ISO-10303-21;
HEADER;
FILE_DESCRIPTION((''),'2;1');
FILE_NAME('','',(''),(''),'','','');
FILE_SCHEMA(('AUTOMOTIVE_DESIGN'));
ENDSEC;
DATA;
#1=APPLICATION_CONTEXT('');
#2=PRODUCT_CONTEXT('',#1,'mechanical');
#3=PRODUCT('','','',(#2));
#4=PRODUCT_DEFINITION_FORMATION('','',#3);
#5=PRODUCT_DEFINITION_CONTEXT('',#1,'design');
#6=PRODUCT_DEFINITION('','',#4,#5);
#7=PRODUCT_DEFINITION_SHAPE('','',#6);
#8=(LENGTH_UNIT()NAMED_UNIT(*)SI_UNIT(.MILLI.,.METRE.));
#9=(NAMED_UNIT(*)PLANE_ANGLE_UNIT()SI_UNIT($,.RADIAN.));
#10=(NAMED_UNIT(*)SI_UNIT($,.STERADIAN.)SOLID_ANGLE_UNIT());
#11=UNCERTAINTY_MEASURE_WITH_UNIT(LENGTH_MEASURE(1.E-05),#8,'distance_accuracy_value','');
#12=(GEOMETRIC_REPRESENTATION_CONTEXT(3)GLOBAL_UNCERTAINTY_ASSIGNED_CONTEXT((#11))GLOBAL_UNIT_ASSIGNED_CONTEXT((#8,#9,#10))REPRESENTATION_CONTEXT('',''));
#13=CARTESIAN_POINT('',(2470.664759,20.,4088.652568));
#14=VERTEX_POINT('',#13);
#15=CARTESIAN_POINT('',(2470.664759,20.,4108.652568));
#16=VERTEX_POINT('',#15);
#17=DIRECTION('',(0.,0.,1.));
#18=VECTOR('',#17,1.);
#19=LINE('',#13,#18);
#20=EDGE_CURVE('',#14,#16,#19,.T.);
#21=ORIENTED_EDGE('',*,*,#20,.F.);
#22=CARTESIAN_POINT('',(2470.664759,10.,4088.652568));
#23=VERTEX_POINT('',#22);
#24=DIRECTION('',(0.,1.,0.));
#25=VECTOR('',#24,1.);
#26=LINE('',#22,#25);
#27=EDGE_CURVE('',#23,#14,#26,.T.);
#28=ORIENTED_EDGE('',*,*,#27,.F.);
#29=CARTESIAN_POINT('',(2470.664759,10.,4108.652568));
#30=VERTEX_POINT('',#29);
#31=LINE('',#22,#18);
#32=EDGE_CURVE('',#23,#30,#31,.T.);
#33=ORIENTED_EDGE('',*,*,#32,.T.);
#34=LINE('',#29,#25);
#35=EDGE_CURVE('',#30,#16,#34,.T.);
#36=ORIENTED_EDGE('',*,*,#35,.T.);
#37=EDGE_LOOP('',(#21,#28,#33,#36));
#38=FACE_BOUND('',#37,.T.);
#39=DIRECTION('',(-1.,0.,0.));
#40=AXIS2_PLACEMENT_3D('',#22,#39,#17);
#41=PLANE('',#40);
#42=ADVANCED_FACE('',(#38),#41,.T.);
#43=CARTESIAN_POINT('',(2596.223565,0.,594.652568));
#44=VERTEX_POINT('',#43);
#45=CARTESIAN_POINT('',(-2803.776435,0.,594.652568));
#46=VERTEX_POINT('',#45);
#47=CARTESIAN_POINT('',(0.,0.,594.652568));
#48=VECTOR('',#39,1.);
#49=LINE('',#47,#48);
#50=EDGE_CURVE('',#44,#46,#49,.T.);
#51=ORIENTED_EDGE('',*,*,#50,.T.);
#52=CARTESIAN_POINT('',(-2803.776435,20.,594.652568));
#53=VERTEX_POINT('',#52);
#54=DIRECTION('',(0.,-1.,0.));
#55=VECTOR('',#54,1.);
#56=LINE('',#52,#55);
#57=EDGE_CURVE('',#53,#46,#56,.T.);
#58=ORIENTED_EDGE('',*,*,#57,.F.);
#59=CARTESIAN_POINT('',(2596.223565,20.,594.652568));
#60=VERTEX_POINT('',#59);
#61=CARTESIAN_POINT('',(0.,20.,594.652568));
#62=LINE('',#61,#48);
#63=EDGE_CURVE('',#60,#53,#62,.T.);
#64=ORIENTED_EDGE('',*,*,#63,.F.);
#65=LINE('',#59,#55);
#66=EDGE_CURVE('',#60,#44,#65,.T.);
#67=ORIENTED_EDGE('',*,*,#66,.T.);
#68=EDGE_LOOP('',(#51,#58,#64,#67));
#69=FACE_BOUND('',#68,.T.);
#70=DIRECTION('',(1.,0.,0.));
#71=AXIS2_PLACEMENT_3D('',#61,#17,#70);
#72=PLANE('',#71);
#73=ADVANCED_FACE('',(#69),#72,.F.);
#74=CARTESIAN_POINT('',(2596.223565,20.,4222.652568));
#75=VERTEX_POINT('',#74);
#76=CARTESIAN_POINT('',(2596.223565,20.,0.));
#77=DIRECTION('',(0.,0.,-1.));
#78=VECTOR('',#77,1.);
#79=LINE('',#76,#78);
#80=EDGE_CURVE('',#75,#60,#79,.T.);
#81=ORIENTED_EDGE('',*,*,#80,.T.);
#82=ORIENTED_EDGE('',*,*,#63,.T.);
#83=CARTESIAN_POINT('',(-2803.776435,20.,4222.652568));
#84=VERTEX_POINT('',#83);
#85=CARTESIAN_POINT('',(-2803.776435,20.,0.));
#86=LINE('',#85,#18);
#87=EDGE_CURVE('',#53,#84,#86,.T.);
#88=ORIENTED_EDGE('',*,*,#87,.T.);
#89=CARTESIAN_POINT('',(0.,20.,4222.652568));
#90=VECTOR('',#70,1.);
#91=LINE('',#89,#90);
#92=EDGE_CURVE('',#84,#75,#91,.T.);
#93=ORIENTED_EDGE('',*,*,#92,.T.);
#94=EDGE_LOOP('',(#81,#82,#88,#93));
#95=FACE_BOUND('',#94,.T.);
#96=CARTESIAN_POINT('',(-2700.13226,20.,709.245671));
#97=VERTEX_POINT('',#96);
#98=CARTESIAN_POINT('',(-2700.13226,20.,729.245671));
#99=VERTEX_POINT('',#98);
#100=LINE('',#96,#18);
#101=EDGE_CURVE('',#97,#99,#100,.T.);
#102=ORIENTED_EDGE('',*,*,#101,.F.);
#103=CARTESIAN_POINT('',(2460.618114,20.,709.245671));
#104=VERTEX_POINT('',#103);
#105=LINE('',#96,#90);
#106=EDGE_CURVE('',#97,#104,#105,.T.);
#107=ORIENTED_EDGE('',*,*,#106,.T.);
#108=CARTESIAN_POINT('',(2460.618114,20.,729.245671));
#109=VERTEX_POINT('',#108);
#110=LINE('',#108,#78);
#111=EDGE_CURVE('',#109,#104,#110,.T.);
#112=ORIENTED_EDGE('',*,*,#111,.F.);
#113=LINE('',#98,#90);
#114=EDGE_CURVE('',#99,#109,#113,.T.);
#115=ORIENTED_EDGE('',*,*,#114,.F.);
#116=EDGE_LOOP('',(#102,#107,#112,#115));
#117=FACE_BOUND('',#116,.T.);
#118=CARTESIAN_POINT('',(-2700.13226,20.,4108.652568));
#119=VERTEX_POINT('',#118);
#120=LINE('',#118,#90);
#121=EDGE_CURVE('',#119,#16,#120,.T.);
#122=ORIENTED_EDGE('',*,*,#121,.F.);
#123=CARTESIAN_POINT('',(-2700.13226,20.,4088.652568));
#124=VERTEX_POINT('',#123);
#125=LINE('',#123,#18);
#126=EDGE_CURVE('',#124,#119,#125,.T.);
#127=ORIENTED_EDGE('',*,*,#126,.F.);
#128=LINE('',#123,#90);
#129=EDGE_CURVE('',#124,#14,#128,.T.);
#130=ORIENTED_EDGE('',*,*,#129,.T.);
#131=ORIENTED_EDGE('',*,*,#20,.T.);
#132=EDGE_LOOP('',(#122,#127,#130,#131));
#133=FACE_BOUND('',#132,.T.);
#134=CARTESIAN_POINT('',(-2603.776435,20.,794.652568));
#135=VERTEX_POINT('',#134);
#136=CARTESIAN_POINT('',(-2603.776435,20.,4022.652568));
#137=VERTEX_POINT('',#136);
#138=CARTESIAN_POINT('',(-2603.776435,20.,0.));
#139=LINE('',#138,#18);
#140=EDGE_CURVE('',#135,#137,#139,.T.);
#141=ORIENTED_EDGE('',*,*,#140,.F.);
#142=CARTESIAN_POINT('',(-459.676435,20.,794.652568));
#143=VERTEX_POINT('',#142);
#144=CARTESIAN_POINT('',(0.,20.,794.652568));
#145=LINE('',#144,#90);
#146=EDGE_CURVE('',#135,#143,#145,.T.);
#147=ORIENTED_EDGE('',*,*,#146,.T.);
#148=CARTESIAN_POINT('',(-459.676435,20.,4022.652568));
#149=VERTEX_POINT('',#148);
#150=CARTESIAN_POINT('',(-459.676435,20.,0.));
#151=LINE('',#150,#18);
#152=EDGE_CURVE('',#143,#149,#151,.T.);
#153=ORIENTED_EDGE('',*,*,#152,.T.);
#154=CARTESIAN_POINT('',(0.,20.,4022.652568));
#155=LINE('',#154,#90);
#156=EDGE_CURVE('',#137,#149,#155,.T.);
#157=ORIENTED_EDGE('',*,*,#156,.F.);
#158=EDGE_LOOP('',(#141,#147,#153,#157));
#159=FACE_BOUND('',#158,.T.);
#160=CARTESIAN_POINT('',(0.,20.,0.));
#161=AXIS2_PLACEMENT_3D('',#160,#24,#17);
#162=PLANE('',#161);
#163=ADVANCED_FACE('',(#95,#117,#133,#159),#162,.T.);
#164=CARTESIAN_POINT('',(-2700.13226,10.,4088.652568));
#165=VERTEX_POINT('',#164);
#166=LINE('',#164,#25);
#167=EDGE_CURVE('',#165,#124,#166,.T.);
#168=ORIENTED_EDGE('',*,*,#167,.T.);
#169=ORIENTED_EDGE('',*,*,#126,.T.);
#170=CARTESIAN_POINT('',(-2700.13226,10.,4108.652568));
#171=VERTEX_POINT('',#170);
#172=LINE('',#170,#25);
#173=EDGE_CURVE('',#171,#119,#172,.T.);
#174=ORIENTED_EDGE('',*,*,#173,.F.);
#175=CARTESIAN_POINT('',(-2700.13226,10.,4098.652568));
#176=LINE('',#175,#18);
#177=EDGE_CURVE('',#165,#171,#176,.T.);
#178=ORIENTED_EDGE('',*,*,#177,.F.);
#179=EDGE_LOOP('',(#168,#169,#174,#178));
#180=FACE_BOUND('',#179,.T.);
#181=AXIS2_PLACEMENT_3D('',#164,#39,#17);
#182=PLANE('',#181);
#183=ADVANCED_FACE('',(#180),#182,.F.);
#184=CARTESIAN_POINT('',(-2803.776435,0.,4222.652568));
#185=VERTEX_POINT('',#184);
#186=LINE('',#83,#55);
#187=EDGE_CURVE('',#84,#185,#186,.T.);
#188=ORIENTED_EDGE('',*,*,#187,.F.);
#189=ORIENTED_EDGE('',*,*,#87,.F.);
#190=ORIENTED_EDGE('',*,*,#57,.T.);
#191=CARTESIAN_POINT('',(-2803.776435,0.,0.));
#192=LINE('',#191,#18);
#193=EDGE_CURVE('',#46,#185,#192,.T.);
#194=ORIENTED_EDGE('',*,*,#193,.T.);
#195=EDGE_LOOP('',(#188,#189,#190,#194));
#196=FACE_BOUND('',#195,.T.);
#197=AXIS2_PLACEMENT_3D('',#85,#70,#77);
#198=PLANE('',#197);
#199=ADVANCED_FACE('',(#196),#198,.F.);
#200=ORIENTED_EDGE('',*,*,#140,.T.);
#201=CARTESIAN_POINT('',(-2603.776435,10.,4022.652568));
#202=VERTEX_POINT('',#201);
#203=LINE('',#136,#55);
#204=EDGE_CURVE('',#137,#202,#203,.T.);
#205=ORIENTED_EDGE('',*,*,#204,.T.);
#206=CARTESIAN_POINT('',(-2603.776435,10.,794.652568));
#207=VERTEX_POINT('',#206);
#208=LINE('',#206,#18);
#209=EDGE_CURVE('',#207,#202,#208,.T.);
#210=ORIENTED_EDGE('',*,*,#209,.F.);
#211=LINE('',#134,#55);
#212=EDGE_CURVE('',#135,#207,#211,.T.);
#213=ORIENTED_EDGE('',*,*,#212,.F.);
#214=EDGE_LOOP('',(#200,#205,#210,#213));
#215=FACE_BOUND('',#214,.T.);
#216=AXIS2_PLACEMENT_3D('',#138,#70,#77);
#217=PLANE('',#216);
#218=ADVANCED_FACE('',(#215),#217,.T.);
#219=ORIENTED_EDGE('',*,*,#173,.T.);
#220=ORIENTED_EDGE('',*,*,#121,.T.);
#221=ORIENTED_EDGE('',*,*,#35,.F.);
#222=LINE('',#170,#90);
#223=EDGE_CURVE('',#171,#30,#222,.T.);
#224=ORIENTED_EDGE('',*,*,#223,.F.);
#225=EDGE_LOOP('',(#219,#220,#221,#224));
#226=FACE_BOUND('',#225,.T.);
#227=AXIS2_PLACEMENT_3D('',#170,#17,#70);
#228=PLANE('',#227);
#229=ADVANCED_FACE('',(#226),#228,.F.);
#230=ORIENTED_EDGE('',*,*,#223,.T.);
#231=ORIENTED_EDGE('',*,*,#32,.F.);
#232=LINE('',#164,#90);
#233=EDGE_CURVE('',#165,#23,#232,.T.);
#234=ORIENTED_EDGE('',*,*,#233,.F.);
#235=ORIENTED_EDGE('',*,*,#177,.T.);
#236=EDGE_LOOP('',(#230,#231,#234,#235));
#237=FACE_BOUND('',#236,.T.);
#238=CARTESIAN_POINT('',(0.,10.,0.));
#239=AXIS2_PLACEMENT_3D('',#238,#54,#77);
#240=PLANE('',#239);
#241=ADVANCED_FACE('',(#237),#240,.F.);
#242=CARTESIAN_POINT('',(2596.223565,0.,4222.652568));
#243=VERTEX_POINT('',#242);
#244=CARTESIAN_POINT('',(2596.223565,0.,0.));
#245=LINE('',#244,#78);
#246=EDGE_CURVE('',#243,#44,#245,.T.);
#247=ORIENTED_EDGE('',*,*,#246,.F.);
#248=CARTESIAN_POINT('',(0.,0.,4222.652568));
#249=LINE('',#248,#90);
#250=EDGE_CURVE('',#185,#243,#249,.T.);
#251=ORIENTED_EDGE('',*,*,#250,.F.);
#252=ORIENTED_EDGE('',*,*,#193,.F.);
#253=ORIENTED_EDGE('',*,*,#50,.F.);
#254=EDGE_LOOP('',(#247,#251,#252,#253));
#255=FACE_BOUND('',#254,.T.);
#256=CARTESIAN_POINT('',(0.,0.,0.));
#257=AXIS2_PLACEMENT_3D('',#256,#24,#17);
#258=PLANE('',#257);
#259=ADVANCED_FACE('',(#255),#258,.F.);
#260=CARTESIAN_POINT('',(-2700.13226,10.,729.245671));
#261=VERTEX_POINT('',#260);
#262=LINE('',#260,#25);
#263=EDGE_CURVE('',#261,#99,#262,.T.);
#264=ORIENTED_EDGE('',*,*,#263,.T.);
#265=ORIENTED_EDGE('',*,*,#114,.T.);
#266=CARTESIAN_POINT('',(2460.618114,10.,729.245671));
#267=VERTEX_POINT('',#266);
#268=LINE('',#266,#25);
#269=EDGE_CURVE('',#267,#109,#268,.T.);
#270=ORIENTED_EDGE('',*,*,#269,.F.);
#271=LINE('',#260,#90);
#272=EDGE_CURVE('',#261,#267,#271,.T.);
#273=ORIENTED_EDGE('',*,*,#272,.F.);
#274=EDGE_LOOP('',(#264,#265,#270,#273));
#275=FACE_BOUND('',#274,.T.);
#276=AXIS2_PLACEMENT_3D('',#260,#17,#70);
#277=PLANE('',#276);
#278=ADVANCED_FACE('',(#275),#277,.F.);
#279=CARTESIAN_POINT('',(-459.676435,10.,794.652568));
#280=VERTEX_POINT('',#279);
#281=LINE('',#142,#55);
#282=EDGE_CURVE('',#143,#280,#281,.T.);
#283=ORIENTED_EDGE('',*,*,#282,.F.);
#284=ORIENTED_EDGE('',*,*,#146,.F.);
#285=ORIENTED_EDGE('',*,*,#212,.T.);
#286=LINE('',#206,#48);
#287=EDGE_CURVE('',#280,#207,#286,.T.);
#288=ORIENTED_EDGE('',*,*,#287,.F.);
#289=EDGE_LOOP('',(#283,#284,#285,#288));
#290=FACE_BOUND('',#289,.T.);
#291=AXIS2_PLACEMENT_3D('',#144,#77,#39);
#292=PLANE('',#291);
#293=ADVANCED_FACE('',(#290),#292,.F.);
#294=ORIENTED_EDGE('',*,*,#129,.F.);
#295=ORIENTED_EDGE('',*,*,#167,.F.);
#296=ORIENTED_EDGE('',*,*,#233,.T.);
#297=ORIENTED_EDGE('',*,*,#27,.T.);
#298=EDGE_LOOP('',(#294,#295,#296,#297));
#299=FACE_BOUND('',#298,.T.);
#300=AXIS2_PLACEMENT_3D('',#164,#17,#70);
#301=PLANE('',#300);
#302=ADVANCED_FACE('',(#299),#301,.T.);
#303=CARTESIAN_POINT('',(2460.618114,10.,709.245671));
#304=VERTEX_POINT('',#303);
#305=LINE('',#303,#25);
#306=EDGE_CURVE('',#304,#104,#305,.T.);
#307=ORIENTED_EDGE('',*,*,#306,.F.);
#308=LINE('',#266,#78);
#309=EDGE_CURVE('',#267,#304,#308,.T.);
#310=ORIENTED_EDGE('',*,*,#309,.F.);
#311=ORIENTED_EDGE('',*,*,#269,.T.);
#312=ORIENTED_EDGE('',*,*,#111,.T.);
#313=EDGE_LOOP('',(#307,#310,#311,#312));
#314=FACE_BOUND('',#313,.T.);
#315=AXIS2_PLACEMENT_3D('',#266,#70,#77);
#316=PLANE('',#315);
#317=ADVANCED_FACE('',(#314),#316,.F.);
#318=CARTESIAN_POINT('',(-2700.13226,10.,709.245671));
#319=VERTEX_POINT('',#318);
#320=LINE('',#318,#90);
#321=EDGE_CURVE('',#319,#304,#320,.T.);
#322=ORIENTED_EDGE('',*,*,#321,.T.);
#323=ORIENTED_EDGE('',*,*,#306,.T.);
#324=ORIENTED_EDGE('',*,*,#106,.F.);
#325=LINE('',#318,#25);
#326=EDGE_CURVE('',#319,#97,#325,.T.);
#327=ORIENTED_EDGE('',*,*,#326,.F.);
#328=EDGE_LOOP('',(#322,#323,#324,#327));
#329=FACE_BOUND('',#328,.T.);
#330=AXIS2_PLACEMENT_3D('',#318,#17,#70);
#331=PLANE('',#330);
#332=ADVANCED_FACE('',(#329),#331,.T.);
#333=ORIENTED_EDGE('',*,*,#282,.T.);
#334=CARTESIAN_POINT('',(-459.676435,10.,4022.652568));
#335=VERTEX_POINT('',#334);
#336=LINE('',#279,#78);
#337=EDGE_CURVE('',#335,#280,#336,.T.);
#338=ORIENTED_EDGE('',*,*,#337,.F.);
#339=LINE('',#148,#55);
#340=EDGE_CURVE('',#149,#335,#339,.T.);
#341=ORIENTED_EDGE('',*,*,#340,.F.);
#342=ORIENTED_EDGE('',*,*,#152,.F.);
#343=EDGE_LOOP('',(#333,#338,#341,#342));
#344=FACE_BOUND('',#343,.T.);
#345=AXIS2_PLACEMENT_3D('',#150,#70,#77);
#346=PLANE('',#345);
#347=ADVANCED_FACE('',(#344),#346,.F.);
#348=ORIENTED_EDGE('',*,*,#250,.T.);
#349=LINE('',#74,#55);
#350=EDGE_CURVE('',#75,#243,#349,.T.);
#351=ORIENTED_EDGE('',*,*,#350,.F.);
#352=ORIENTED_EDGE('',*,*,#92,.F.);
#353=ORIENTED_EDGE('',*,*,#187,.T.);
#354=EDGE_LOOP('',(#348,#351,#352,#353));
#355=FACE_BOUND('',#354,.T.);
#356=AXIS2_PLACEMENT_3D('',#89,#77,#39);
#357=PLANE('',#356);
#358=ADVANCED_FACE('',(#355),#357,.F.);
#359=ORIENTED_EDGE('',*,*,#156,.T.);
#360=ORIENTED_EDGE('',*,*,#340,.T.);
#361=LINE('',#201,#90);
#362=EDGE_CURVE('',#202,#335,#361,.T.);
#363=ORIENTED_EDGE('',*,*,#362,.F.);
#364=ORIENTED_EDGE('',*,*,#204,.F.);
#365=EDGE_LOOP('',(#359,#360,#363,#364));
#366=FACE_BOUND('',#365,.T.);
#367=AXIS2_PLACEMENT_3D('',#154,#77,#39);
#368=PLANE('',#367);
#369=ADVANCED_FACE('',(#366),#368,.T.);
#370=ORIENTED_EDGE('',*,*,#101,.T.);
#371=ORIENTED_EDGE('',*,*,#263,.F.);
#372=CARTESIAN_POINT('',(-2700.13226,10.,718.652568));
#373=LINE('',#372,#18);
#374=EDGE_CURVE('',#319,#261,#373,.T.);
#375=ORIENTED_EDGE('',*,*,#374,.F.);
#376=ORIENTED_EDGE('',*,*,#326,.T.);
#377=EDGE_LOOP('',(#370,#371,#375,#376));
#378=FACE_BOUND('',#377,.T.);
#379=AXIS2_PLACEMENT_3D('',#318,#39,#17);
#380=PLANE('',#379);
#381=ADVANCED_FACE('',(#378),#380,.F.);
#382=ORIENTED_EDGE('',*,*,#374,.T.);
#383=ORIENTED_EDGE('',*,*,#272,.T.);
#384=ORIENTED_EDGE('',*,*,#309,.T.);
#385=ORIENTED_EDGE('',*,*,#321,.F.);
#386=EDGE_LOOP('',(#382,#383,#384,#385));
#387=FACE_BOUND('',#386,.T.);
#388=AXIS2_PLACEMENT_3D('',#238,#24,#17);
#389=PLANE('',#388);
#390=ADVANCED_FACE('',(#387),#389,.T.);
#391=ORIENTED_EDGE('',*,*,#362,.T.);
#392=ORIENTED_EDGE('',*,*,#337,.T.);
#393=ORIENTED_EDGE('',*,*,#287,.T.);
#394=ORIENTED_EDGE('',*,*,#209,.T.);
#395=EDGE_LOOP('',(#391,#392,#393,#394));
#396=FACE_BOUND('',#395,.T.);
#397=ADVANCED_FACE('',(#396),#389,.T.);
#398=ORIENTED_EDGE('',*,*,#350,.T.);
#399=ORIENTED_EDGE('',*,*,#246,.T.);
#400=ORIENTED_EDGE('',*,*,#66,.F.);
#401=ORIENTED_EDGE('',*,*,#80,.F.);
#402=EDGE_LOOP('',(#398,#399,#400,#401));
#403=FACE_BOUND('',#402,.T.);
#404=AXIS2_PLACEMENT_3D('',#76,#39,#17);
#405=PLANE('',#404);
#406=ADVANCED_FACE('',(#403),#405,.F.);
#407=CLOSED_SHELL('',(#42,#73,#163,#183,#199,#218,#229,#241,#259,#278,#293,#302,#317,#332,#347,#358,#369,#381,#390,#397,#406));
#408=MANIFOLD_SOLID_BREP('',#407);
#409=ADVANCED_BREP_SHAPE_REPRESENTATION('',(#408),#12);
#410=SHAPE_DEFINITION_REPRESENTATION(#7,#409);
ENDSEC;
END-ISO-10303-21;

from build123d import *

# Parameters (mm, degrees)
SKETCH1_W           = 5400
SKETCH1_H           = 3628
SKETCH1_W_2         = 2144.1
SKETCH1_H_2         = 3228
BOSS_EXTRUDE1_DEPTH = 20
SKETCH4_W           = 2144.1
SKETCH4_H           = 3228
BOSS_EXTRUDE2_DEPTH = 10
CUT_EXTRUDE1_DEPTH  = 10


with BuildPart() as part:
    # Sketch1 → Boss-Extrude1 (new body)
    with BuildSketch(Plane(origin=(0, 0, 0), x_dir=(1, 0, 0), z_dir=(0, 1, 0))):
        with Locations((-103.776435045, -2408.652567976)):
            Rectangle(SKETCH1_W, SKETCH1_H)
        with Locations((-1531.726435045, -2408.652567976)):
            Rectangle(SKETCH1_W_2, SKETCH1_H_2, mode=Mode.SUBTRACT)
    extrude(amount=BOSS_EXTRUDE1_DEPTH)

    # Sketch4 → Boss-Extrude2 (add)
    with BuildSketch(Plane(origin=(0, 0, 0), x_dir=(1, 0, 0), z_dir=(0, 1, 0))):
        with Locations((-1531.726435045, -2408.652567976)):
            Rectangle(SKETCH4_W, SKETCH4_H)
    extrude(amount=BOSS_EXTRUDE2_DEPTH)

    # Sketch5 → Cut-Extrude1 (cut)
    with BuildSketch(Plane(origin=(0, 20, 0), x_dir=(1, 0, 0), z_dir=(0, 1, 0))):
        Polygon((-2700.132260169, -718.652567976), (-2700.132260169, -729.245671205), (2460.618113796, -729.245671205), (2460.618113796, -709.245671205), (-2700.132260169, -709.245671205), align=None)
        Polygon((-2700.132260169, -4098.652567976), (-2700.132260169, -4108.652567976), (2470.664759236, -4108.652567976), (2470.664759236, -4088.652567976), (-2700.132260169, -4088.652567976), align=None)
    extrude(amount=-CUT_EXTRUDE1_DEPTH, mode=Mode.SUBTRACT)


solid = part.part
